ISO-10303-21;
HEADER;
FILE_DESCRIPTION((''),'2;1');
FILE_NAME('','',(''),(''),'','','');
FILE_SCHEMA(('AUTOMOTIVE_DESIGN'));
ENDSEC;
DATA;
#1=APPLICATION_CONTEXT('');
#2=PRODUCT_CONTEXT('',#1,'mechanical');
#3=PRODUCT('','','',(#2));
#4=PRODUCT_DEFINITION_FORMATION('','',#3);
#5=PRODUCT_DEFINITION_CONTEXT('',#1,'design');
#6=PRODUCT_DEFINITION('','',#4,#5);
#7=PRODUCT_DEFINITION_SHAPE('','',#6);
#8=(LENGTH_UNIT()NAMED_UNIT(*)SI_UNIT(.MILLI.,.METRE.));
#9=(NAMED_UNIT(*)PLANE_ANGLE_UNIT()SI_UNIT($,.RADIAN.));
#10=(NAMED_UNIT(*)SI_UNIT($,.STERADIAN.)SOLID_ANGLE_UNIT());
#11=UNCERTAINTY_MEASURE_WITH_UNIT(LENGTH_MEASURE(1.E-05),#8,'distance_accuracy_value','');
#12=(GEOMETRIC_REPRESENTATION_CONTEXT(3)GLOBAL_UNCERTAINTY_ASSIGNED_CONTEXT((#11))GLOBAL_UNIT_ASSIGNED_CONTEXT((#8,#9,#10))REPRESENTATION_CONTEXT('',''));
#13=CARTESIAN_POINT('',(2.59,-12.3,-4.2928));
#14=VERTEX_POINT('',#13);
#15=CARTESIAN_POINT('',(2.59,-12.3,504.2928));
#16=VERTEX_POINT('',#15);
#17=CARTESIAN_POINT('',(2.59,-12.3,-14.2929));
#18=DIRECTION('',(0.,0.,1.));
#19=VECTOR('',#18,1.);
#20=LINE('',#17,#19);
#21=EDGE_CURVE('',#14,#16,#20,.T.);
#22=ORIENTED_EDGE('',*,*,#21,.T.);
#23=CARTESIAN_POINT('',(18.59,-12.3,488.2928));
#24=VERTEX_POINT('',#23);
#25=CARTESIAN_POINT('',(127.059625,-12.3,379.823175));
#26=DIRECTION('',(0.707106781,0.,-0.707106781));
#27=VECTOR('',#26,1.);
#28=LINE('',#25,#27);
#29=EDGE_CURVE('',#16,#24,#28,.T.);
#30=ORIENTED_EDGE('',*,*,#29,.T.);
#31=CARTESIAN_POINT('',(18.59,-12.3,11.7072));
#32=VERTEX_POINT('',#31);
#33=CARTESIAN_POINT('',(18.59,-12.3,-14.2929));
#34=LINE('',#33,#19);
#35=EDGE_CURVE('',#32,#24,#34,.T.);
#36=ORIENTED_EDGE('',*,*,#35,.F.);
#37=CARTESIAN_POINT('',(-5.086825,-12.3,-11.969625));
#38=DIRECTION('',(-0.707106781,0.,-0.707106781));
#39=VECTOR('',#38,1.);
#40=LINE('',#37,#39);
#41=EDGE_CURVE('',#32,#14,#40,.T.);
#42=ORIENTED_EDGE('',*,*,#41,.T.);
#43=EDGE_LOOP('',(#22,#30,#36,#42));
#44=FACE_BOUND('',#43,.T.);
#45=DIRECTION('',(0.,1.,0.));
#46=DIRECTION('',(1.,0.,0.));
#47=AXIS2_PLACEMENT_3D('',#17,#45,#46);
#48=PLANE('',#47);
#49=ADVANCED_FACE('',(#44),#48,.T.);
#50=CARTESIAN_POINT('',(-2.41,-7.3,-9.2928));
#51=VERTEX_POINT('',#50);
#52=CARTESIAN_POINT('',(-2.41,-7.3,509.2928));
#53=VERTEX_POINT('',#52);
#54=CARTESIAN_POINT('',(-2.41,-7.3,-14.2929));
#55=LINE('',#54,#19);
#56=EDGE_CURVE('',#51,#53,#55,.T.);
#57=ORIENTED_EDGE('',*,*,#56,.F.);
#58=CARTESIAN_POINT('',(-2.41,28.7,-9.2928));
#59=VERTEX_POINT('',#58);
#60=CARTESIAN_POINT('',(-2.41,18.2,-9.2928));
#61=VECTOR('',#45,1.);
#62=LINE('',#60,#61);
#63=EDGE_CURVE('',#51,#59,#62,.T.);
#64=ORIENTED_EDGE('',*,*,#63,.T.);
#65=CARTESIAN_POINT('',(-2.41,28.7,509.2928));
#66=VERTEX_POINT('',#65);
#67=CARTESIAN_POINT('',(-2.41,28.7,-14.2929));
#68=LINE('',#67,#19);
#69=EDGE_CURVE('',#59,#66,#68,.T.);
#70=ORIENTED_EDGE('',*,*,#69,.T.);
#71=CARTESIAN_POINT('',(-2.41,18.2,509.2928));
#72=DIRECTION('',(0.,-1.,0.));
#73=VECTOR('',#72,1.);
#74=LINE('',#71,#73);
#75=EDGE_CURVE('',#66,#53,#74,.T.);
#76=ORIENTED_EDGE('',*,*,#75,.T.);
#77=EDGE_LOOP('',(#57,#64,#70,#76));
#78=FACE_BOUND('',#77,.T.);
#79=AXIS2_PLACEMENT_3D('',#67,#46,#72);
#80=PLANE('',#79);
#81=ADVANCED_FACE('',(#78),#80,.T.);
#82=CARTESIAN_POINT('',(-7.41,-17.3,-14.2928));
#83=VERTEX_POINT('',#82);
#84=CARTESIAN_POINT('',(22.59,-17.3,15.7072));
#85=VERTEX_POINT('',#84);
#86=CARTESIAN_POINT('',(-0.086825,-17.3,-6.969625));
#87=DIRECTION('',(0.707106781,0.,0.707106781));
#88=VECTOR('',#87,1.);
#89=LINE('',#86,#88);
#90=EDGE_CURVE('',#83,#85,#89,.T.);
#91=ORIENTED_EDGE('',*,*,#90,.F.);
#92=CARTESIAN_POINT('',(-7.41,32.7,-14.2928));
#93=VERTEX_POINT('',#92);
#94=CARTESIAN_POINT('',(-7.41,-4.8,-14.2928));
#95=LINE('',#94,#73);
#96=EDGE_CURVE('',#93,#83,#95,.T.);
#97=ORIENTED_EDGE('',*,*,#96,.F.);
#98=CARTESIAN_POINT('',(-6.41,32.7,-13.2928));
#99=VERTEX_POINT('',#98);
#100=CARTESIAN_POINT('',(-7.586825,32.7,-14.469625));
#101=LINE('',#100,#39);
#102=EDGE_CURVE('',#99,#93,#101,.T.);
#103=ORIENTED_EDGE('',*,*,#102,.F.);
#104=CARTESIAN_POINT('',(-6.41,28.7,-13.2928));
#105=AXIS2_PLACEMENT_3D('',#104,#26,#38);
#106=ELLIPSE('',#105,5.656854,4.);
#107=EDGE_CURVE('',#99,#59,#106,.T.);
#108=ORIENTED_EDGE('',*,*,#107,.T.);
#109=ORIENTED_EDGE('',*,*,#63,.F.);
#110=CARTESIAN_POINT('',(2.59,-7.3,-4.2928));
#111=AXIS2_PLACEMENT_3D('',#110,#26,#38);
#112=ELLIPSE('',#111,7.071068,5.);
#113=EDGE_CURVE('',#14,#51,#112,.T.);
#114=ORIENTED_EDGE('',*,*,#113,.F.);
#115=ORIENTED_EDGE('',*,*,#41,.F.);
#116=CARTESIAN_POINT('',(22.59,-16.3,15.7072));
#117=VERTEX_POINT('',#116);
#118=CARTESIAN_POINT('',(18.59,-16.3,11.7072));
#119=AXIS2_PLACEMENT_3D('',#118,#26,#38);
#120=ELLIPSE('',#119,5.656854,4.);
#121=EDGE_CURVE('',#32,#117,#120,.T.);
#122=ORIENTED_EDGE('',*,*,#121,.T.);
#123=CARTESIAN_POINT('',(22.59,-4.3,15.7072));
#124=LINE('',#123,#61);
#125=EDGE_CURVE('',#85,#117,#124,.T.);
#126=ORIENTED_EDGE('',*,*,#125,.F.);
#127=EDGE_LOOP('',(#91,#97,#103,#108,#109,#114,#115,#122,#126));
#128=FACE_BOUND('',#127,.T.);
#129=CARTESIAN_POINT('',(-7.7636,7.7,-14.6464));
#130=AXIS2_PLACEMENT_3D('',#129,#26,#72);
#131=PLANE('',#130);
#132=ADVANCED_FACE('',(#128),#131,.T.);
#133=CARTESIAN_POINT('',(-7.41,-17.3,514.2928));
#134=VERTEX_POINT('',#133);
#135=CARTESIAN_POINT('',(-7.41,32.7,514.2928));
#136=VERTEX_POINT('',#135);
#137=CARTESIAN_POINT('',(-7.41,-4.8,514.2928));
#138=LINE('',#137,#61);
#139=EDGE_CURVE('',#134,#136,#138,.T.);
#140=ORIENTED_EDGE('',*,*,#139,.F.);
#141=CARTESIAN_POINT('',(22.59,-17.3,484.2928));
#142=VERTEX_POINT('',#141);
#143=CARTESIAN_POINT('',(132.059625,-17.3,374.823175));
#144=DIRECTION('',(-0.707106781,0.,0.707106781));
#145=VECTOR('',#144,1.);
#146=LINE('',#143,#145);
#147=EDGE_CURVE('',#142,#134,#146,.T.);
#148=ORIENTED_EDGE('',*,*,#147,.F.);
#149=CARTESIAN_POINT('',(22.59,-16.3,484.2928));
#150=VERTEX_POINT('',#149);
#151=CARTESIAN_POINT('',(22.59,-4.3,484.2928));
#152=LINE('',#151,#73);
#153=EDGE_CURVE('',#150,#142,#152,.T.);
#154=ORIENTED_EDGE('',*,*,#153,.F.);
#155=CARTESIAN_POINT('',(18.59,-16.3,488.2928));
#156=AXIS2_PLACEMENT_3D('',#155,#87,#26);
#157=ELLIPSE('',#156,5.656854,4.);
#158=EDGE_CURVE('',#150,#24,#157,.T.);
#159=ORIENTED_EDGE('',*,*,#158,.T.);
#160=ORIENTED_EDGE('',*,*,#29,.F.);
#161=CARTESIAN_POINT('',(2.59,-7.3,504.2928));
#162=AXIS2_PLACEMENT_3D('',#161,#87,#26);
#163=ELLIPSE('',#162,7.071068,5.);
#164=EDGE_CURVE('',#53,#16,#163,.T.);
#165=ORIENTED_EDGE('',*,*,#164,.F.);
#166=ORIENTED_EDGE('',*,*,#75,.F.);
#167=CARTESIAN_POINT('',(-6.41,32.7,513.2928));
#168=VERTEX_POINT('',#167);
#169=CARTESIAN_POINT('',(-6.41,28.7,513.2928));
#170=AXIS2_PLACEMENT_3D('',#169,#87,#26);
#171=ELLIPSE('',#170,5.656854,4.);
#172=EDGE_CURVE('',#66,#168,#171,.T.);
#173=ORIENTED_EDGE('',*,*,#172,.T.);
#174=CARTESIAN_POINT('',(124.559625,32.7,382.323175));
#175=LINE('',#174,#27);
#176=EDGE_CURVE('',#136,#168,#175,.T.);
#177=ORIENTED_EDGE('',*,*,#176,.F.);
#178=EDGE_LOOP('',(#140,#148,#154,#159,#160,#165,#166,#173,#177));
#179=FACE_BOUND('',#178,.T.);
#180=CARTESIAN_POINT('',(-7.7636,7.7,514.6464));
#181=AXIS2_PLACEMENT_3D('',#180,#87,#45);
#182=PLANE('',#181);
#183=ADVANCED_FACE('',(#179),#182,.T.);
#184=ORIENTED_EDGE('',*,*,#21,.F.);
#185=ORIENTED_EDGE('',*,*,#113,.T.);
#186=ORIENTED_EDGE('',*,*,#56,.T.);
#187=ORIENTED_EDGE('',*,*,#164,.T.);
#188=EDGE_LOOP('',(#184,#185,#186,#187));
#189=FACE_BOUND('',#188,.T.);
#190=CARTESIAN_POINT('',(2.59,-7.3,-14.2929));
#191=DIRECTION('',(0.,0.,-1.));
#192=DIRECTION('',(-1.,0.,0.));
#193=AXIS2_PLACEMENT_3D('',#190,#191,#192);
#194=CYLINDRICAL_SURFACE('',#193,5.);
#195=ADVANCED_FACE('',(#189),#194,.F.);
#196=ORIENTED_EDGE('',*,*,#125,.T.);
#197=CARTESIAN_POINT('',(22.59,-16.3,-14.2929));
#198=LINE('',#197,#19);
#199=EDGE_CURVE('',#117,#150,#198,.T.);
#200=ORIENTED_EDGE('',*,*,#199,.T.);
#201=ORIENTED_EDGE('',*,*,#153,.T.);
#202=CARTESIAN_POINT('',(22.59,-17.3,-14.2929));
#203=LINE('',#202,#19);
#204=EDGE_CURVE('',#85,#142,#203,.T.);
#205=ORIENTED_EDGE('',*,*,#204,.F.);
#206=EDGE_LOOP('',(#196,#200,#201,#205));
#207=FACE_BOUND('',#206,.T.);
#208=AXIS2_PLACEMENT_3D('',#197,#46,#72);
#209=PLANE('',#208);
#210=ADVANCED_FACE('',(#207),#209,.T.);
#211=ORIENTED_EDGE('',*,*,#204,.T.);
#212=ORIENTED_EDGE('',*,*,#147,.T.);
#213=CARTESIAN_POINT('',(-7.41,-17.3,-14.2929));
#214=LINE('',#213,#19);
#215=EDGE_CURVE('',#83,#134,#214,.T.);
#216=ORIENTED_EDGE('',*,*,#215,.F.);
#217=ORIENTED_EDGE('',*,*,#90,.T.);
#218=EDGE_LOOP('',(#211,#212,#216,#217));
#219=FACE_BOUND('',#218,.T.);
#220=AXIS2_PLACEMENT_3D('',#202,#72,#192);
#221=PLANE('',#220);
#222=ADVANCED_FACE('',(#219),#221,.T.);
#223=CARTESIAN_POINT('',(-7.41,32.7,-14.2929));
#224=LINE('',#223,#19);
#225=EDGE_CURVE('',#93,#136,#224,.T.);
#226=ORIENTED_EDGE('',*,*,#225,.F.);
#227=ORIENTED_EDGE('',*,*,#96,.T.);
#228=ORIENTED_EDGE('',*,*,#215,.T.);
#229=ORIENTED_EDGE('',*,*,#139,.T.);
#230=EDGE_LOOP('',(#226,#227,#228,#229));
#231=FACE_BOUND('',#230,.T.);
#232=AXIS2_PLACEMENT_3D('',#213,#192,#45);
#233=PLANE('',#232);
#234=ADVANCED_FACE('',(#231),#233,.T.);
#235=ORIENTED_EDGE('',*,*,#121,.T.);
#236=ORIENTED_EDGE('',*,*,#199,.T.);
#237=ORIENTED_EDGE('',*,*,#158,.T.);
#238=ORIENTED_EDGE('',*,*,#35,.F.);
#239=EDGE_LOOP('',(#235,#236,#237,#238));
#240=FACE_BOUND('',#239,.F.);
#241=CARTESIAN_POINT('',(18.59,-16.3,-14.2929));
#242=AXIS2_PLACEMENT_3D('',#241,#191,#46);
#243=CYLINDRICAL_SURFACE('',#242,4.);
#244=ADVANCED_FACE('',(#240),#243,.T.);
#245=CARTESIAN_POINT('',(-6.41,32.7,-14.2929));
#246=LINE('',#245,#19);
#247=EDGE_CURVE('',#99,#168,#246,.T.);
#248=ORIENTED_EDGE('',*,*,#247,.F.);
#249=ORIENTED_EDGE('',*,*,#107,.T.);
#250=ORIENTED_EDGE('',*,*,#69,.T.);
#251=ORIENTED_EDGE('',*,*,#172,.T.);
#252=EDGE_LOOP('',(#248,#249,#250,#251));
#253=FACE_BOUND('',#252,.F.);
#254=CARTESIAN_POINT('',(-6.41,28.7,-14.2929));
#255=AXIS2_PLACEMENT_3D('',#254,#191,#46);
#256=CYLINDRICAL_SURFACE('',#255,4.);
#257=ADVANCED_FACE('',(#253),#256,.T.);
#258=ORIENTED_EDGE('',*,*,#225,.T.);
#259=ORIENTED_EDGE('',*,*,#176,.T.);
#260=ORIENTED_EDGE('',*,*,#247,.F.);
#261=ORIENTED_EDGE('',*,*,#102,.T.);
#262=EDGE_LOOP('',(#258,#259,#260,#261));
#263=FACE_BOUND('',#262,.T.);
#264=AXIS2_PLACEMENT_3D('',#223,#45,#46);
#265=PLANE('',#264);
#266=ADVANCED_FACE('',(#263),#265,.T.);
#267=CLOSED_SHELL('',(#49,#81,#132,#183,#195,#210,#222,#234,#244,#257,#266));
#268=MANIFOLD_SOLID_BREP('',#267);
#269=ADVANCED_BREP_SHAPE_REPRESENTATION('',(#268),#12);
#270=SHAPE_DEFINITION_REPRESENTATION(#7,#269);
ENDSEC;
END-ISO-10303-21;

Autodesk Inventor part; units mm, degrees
ref_plane "Start Plane" through (0, 0, -14.2929) normal (0, 0, 1) x (1, 0, 0)
ref_plane "End Plane" through (0, 0, 514.2929) normal (0, 0, 1) x (1, 0, 0)
sketch "Sketch" plane through (0, 0, 0) normal (0, 0, 1) x (1, 0, 0)
  line L0 (-2.41, 28.7) -> (-2.41, -7.3)
  line L1 (-7.41, 32.7) -> (-6.41, 32.7)
  line L2 (-7.41, -17.3) -> (-7.41, 32.7)
  line L3 (22.59, -17.3) -> (-7.41, -17.3)
  line L4 (22.59, -16.3) -> (22.59, -17.3)
  line L5 (2.59, -12.3) -> (18.59, -12.3)
  arc A0 (-2.41, -7.3) -> (2.59, -12.3) centre (2.59, -7.3) ccw
  arc A1 (-2.41, 28.7) -> (-6.41, 32.7) centre (-6.41, 28.7) ccw
  arc A2 (22.59, -16.3) -> (18.59, -12.3) centre (18.59, -16.3) ccw
  line L6 (0, 43.6941) -> (0, -27.4657) construction
  line L7 (-13.5757, 0) -> (29.5841, 0) construction
  point P0 (-2.41, 32.7)
  point P1 (-2.41, -12.3)
  point P2 (22.59, -12.3)
  dimension "d4" = 30
  dimension "d6" = 50
  dimension "d8" = 5
  dimension "d10" = 5
  dimension "d17" = 5
  dimension "d18" = 4
  dimension "d19" = 17.3
  dimension "d20" = 7.41
extrude "Body" add sketch "Sketch" along normal up to surface (528.5858 mm away) from surface at -14.2929
sketch "Sketch3" plane through (0, 0, 0) normal (0, 0, 1) x (1, 0, 0)
  line L0 (0, 0) -> (10, 0)
ref_plane "Work Plane10" through (0, 0, 0) normal (0, -1, 0) x (1, 0, 0)
sketch "Sketch4" plane through (0, 0, 0) normal (0, -1, 0) x (1, 0, 0)
  line L0 (-2, -14.2929) -> (12, -14.2929)
  line L1 (-2, 514.2929) -> (12, 514.2929)
  dimension "d24" = 528.5858
ref_plane "Work Plane11" through (-7.7636, 7.7, -14.6464) normal (0.7071, 0, -0.7071) x (-0.7071, 0, -0.7071)
split "Split1" plane through (-7.7636, 7.7, -14.6464) removes the side toward (0.7071, 0, -0.7071)
ref_plane "Work Plane12" through (-7.7636, 7.7, 514.6464) normal (0.7071, 0, 0.7071) x (0.7071, 0, -0.7071)
split "Split2" plane through (-7.7636, 7.7, 514.6464) removes the side toward (0.7071, 0, 0.7071)
equation "\"d4\" = b"
equation "\"d6\" = ParH"
equation "\"d8\" = ParT"
equation "\"d10\" = ParT"
equation "\"d17\" = R"
equation "\"d18\" = R1"
equation "\"d19\" = ex"
equation "\"d20\" = ey"
equation "\"d11\" = G_L"
equation "\"b\" = 30"
equation "\"ParT\" = 5"
equation "\"R1\" = 4"
equation "\"G_L\" = d24"
equation "\"ParH\" = 50"
equation "\"R\" = 5"
equation "\"ey\" = 7.41"
equation "\"ex\" = 17.3"
equation "\"G_OFFSET_START\" = 14.29289"
equation "\"G_OFFSET_END\" = 14.29289"
equation "\"d21\" = -G_OFFSET_START"
equation "\"d22\" = G_OFFSET_END + B_L"
equation "\"B_L\" = 500"
properties part number "ISO 657-2 - 50x 30x 5-528.59" material "Steel, Mild"
